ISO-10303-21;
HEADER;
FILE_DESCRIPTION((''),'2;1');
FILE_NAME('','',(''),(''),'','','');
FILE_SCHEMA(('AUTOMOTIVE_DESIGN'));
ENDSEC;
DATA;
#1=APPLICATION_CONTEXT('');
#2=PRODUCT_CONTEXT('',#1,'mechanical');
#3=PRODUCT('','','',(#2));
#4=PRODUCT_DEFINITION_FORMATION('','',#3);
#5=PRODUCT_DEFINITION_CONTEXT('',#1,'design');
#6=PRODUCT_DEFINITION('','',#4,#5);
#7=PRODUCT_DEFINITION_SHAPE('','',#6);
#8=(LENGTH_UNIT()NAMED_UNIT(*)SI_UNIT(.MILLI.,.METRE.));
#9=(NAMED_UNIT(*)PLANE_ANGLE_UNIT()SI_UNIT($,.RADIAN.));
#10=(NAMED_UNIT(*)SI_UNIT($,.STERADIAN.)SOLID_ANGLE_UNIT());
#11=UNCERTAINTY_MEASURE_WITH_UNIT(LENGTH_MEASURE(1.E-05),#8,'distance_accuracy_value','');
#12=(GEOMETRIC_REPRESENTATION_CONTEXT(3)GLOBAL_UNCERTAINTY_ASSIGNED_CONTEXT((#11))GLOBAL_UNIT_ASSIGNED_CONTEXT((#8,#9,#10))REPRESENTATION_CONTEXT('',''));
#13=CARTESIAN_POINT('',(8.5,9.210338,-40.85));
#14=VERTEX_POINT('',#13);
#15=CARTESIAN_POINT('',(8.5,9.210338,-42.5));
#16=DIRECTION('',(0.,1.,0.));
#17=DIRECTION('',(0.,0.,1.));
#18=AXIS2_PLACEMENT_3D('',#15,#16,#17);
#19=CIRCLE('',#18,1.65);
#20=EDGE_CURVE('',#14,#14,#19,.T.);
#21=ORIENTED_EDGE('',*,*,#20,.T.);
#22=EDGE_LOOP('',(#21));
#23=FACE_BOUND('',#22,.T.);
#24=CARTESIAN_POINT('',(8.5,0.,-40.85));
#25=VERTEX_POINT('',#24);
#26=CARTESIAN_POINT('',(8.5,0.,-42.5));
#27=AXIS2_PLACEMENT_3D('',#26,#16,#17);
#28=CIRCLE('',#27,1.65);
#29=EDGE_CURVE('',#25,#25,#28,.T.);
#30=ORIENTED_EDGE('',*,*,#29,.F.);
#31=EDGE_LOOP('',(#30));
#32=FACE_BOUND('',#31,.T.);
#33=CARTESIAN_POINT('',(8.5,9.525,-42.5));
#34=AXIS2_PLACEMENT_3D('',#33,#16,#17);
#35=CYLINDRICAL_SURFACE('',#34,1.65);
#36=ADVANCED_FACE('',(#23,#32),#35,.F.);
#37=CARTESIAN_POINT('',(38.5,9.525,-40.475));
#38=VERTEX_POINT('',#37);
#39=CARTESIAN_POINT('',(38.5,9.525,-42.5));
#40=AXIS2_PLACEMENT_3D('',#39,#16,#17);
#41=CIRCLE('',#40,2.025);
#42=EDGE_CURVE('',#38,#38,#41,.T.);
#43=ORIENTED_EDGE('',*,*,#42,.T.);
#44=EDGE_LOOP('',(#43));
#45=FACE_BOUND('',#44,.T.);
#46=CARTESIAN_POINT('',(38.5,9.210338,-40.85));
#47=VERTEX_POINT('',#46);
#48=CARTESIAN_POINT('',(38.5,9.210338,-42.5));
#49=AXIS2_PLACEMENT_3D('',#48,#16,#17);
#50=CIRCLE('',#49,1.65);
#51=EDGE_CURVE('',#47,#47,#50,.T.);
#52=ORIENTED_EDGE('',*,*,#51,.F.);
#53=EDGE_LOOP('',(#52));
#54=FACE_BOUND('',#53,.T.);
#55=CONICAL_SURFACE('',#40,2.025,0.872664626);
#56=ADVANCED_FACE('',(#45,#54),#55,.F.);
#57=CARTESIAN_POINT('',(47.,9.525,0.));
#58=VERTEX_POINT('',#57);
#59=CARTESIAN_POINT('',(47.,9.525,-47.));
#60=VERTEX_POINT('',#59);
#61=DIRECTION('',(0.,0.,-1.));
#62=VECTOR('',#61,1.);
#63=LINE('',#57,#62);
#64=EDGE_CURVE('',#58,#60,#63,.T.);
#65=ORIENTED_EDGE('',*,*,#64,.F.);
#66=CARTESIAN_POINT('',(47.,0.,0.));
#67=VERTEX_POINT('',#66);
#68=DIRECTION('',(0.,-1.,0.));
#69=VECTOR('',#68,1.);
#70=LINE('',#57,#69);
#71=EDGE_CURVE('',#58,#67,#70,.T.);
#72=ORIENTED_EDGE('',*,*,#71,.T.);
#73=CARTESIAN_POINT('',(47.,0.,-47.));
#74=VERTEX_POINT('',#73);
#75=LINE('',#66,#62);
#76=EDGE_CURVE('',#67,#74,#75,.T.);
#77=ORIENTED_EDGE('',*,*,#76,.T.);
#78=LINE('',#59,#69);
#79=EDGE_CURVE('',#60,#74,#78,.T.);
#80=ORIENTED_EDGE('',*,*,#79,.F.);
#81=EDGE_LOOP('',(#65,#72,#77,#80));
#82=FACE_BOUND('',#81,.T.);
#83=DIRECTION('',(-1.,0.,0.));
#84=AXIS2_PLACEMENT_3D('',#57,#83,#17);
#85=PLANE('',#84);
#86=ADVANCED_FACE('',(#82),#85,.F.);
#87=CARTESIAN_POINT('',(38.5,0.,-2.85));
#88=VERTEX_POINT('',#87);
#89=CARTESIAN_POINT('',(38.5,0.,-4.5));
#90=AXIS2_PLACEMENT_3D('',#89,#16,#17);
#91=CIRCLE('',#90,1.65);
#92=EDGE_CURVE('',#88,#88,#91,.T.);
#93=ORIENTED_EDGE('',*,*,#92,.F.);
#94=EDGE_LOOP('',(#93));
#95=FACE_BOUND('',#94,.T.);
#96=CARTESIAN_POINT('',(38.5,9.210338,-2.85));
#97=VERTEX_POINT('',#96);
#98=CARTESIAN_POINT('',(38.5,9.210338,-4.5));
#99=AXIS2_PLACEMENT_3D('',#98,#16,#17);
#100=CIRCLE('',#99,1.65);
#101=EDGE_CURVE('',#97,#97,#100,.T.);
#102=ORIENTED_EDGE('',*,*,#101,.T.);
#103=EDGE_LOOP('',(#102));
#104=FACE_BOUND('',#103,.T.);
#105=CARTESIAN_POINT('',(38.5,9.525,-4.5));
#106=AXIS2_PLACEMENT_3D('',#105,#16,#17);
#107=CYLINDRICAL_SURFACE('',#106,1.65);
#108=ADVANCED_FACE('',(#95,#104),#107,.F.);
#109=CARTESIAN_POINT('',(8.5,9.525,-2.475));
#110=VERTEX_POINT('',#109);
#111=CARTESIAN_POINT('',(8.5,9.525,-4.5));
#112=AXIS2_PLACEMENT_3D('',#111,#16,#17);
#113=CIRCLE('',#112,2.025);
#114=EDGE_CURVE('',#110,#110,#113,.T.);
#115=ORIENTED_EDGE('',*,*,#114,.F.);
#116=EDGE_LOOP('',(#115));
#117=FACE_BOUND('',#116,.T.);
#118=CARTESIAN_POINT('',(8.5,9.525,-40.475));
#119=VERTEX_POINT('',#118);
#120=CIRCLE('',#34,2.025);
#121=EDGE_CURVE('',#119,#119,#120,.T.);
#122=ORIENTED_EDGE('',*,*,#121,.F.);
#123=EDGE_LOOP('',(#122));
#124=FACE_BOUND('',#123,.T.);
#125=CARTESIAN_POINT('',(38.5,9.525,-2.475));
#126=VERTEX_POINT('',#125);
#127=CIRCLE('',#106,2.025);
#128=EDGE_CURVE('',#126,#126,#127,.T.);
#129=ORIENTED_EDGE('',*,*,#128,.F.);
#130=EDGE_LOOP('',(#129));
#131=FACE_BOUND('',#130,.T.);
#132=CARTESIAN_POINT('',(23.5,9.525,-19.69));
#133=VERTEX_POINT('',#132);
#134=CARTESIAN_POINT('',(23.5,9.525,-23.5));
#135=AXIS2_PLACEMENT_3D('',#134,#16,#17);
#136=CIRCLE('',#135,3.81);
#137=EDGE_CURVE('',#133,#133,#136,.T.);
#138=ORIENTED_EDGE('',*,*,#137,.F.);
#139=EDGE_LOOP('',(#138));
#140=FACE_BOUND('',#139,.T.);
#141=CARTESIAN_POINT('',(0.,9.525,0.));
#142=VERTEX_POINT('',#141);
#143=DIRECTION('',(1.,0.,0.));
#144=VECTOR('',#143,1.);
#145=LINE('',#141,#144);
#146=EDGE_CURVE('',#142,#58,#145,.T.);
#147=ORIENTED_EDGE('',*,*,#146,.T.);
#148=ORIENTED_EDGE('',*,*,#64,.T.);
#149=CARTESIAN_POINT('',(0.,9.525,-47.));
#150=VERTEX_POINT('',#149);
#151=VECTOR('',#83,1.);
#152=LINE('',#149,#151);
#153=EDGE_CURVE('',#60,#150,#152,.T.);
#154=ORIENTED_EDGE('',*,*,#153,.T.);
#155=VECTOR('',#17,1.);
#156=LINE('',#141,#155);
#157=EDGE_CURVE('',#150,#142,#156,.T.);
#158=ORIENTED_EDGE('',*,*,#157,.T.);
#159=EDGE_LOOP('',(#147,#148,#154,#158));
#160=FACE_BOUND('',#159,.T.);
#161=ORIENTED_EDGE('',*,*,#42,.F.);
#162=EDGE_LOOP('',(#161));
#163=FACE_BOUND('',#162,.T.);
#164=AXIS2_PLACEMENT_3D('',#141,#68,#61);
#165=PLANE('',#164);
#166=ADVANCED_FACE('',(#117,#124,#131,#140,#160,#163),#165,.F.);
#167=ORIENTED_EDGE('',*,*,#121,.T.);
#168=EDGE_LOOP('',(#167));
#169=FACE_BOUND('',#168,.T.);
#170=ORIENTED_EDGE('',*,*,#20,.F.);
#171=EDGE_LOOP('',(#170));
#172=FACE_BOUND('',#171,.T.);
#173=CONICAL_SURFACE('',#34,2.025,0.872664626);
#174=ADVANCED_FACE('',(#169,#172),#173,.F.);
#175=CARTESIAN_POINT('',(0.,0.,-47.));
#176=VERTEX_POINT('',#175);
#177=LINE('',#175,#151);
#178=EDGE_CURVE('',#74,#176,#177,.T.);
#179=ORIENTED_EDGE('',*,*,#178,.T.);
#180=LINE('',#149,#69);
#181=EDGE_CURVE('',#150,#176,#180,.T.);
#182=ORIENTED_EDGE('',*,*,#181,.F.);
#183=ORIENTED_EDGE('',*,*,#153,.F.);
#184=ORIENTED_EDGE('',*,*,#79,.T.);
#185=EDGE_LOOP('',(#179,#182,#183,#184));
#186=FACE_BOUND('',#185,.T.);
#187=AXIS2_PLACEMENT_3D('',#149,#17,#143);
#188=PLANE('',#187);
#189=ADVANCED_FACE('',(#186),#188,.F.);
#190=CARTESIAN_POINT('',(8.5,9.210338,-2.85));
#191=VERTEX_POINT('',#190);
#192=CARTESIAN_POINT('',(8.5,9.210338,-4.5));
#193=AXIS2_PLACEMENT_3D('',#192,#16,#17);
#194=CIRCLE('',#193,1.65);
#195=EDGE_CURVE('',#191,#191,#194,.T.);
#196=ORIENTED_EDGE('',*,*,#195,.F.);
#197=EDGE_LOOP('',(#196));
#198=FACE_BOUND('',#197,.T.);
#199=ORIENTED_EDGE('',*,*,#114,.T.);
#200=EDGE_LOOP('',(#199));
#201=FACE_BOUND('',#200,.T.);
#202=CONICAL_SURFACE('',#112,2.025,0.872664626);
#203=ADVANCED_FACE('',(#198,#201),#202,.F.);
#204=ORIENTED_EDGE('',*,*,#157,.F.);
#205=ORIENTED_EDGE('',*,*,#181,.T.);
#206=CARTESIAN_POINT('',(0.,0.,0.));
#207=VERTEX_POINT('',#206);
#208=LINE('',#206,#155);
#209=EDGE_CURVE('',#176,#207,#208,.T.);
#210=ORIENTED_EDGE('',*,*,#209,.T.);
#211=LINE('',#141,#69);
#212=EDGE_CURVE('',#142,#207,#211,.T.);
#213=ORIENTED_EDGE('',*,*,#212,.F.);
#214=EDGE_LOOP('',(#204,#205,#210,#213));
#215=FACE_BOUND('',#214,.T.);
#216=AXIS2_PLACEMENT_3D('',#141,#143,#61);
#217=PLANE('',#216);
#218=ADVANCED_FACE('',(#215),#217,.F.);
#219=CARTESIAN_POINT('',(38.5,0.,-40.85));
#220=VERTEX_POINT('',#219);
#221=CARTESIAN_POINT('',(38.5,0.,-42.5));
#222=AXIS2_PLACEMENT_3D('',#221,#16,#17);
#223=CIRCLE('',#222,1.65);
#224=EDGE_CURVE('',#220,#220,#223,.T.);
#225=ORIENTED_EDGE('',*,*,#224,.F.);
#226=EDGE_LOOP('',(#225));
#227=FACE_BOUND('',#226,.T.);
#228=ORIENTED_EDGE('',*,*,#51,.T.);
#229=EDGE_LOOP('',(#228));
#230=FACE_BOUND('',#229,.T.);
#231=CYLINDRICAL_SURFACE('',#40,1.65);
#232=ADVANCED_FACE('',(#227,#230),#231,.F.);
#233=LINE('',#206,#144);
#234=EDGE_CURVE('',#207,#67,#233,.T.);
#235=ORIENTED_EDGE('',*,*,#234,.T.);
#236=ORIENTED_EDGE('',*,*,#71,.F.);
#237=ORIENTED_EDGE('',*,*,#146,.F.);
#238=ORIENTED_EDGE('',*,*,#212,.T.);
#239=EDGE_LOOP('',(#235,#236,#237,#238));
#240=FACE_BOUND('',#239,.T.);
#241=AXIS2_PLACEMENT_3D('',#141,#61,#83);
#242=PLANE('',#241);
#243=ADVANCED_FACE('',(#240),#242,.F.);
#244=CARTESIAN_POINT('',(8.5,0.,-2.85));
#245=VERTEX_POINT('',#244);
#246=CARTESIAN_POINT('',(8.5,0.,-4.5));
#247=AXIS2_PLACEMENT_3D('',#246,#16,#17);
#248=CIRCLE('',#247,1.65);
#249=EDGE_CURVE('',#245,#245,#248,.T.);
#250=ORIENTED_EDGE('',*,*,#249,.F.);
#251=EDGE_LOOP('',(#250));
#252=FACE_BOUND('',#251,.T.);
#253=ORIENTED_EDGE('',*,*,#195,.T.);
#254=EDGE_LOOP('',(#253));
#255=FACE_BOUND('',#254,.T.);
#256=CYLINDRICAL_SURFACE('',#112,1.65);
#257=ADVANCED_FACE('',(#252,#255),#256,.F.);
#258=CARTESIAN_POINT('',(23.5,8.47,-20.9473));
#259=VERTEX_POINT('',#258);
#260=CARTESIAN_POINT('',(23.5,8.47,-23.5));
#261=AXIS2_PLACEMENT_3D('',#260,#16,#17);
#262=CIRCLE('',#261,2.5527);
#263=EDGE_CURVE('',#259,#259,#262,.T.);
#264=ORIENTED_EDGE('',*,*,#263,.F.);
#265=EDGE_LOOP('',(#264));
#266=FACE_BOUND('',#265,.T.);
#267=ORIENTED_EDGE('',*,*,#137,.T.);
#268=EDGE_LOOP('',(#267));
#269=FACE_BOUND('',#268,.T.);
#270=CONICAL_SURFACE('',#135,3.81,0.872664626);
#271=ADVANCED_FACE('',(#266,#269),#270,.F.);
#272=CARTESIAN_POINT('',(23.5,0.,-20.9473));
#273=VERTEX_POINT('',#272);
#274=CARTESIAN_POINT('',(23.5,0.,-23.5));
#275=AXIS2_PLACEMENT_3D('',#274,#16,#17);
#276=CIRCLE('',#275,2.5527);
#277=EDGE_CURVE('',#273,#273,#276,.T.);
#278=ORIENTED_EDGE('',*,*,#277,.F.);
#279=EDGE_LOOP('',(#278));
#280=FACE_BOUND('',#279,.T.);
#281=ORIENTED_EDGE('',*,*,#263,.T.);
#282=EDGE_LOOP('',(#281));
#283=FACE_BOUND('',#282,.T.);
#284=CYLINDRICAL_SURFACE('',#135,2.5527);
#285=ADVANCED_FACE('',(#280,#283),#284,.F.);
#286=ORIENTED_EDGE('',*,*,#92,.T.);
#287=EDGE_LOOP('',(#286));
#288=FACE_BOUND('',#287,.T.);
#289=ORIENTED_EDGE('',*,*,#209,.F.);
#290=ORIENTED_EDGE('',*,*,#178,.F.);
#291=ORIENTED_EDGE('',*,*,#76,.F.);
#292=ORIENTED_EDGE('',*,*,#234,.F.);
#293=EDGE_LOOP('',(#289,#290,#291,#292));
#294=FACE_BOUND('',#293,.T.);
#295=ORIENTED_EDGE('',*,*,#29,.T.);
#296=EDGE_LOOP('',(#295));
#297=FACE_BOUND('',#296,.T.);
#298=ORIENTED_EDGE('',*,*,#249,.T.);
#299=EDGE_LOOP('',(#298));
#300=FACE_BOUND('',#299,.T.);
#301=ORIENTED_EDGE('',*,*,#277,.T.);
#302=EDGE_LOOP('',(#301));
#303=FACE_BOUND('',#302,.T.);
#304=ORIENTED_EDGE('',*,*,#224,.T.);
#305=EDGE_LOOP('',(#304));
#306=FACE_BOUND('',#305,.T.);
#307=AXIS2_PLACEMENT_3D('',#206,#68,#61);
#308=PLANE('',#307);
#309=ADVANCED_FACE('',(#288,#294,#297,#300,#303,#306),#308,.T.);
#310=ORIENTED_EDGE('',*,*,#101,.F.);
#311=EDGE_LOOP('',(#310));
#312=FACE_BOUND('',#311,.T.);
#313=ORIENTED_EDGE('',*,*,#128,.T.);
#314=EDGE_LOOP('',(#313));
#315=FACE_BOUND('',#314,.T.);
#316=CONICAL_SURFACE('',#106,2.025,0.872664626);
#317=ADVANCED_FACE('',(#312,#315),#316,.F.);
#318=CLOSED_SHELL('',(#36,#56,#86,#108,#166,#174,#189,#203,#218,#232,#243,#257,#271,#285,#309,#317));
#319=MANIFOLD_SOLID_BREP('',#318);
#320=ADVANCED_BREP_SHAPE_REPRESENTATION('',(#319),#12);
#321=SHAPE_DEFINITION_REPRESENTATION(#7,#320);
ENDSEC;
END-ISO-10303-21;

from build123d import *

# Parameters (mm, degrees)
SKETCH1_W                         = 47
SKETCH1_H                         = 47
BOSS_EXTRUDE1_DEPTH               = 9.525
M4X0_7_TAPPED_HOLE1_D             = 3.3
M4X0_7_TAPPED_HOLE1_CSINK_D       = 4.05
M4X0_7_TAPPED_HOLE1_CSINK_ANGLE   = 100
F_1_4_20_TAPPED_HOLE1_D           = 5.1054
F_1_4_20_TAPPED_HOLE1_CSINK_D     = 7.62
F_1_4_20_TAPPED_HOLE1_CSINK_ANGLE = 100


with BuildPart() as part:
    # Sketch1 → Boss-Extrude1 (new body)
    with BuildSketch(Plane(origin=(0, 0, 0), x_dir=(1, 0, 0), z_dir=(0, 1, 0))):
        with Locations((23.5, 23.5)):
            Rectangle(SKETCH1_W, SKETCH1_H)
    extrude(amount=BOSS_EXTRUDE1_DEPTH)

    # M4x0.7 Tapped Hole1 (through all)
    with Locations(Plane(origin=(0, 9.525, 0), x_dir=(1, 0, 0), z_dir=(0, 1, 0))):
        with Locations((38.5, 42.5), (8.5, 42.5), (8.5, 4.5), (38.5, 4.5)):
            CounterSinkHole(M4X0_7_TAPPED_HOLE1_D / 2, M4X0_7_TAPPED_HOLE1_CSINK_D / 2, counter_sink_angle=M4X0_7_TAPPED_HOLE1_CSINK_ANGLE)

    # 1/4-20 Tapped Hole1 (through all)
    with Locations(Plane(origin=(0, 9.525, 0), x_dir=(1, 0, 0), z_dir=(0, 1, 0))):
        with Locations((23.5, 23.5)):
            CounterSinkHole(F_1_4_20_TAPPED_HOLE1_D / 2, F_1_4_20_TAPPED_HOLE1_CSINK_D / 2, counter_sink_angle=F_1_4_20_TAPPED_HOLE1_CSINK_ANGLE)


solid = part.part
